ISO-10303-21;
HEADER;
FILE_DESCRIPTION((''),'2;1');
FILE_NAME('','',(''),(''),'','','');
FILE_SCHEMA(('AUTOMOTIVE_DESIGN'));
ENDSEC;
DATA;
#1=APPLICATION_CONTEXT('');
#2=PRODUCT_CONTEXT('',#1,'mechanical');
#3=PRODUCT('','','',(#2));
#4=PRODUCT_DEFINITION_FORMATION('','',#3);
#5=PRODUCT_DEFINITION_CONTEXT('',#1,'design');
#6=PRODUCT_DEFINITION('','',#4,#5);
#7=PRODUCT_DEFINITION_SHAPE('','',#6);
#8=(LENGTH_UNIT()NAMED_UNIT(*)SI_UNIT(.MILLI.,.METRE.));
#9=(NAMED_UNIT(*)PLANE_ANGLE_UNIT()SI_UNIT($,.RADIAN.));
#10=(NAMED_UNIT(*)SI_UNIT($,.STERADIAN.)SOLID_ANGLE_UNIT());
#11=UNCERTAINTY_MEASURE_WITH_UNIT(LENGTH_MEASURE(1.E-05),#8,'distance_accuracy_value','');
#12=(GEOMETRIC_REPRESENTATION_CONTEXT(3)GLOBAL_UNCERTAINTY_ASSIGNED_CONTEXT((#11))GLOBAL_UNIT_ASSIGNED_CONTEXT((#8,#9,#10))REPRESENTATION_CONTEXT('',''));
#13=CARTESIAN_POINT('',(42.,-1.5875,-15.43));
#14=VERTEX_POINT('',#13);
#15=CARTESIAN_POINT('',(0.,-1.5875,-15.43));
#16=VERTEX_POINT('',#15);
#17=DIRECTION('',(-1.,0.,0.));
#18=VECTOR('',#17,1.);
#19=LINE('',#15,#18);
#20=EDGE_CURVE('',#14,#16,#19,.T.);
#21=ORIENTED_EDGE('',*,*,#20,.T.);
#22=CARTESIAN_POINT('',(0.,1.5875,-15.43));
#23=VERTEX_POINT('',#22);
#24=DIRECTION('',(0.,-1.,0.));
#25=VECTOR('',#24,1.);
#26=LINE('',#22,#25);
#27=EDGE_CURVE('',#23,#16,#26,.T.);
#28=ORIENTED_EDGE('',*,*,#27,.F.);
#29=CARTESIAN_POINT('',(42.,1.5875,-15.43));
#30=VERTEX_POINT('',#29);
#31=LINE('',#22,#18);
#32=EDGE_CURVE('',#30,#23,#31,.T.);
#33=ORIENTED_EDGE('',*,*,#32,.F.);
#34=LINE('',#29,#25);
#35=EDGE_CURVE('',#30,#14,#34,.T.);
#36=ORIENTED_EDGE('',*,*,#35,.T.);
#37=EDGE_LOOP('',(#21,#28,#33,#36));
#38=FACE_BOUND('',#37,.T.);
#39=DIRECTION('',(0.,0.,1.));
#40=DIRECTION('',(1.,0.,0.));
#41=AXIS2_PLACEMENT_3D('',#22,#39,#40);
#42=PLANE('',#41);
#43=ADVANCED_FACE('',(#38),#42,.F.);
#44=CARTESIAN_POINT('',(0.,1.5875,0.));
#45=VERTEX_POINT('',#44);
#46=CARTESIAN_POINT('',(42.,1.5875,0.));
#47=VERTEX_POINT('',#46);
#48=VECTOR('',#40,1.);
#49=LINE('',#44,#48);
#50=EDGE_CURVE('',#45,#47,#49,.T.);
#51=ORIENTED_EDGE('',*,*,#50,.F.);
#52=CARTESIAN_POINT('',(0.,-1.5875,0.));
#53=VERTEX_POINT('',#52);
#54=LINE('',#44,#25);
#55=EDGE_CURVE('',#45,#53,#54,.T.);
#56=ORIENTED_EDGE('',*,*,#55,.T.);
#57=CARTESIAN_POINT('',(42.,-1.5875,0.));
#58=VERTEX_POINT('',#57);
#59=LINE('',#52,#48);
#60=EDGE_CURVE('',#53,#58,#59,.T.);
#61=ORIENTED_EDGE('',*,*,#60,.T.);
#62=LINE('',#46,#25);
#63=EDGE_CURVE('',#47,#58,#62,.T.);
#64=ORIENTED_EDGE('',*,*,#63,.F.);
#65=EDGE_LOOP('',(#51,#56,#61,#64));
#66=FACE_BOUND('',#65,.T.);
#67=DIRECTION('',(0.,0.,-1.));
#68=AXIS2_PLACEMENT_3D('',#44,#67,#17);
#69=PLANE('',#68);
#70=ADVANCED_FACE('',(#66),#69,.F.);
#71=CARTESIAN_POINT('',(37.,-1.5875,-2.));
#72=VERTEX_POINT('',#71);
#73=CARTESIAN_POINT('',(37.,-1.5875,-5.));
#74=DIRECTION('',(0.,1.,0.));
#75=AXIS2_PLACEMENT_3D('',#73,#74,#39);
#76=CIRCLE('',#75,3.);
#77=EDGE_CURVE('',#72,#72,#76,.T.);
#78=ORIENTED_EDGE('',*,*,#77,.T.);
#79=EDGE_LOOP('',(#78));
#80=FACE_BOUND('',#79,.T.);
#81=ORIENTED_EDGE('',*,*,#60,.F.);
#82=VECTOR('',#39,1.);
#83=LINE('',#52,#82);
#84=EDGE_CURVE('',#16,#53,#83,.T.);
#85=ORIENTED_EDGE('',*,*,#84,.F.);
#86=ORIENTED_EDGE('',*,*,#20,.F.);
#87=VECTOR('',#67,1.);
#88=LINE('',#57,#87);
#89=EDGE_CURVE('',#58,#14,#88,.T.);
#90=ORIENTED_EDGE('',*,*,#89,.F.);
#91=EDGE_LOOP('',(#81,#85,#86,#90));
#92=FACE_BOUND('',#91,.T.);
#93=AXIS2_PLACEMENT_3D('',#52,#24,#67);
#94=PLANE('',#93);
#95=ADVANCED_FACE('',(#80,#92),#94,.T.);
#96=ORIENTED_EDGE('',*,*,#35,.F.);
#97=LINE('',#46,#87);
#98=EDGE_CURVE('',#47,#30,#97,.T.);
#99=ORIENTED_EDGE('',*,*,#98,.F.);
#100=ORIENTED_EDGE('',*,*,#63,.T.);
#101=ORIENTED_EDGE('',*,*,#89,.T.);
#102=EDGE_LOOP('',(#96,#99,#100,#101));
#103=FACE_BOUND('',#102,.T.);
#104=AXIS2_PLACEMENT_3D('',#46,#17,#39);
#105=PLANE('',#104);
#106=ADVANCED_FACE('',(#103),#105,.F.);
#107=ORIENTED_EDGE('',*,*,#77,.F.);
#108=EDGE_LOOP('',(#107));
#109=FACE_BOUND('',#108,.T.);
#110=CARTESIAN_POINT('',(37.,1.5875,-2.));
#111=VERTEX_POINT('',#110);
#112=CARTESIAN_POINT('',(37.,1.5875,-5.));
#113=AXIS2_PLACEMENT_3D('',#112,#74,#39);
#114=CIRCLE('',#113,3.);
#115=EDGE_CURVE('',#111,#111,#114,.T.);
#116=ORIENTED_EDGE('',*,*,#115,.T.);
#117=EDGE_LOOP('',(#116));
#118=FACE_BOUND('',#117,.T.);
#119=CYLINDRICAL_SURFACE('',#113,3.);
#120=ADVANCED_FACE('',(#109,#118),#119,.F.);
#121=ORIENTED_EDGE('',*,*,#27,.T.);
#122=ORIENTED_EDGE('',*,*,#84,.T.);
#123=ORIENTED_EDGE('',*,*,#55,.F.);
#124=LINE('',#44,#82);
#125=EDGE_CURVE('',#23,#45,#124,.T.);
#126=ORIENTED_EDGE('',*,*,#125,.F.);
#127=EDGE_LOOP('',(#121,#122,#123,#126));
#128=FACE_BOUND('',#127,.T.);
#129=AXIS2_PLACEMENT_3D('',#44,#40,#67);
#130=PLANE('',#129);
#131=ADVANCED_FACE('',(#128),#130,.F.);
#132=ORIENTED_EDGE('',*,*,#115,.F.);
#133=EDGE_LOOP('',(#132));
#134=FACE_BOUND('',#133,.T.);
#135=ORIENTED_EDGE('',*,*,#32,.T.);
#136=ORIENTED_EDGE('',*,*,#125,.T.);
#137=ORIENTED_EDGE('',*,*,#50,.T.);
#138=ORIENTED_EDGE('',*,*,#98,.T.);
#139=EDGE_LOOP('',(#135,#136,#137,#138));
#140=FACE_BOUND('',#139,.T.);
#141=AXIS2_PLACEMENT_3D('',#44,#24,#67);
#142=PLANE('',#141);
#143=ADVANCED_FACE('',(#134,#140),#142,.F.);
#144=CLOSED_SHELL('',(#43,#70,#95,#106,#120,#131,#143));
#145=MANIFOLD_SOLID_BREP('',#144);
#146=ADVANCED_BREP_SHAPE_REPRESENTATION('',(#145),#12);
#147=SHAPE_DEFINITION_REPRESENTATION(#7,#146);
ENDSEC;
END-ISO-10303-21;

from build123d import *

# Parameters (mm, degrees)
SKETCH1_W             = 42
SKETCH1_H             = 15.43
BOSS_EXTRUDE1_DEPTH   = 1.5875
F_6_0MM_DOWEL_HOLE1_D = 6


with BuildPart() as part:
    # Sketch1 → Boss-Extrude1 (new body, symmetric)
    with BuildSketch(Plane(origin=(0, 0, 0), x_dir=(1, 0, 0), z_dir=(0, 1, 0))):
        with Locations((21, 7.715)):
            Rectangle(SKETCH1_W, SKETCH1_H)
    extrude(amount=BOSS_EXTRUDE1_DEPTH, both=True)

    # Ø6.0mm Dowel Hole1 (through all)
    with Locations(Plane(origin=(0, 1.5875, 0), x_dir=(1, 0, 0), z_dir=(0, 1, 0))):
        with Locations((37, 5)):
            Hole(F_6_0MM_DOWEL_HOLE1_D / 2)


solid = part.part
